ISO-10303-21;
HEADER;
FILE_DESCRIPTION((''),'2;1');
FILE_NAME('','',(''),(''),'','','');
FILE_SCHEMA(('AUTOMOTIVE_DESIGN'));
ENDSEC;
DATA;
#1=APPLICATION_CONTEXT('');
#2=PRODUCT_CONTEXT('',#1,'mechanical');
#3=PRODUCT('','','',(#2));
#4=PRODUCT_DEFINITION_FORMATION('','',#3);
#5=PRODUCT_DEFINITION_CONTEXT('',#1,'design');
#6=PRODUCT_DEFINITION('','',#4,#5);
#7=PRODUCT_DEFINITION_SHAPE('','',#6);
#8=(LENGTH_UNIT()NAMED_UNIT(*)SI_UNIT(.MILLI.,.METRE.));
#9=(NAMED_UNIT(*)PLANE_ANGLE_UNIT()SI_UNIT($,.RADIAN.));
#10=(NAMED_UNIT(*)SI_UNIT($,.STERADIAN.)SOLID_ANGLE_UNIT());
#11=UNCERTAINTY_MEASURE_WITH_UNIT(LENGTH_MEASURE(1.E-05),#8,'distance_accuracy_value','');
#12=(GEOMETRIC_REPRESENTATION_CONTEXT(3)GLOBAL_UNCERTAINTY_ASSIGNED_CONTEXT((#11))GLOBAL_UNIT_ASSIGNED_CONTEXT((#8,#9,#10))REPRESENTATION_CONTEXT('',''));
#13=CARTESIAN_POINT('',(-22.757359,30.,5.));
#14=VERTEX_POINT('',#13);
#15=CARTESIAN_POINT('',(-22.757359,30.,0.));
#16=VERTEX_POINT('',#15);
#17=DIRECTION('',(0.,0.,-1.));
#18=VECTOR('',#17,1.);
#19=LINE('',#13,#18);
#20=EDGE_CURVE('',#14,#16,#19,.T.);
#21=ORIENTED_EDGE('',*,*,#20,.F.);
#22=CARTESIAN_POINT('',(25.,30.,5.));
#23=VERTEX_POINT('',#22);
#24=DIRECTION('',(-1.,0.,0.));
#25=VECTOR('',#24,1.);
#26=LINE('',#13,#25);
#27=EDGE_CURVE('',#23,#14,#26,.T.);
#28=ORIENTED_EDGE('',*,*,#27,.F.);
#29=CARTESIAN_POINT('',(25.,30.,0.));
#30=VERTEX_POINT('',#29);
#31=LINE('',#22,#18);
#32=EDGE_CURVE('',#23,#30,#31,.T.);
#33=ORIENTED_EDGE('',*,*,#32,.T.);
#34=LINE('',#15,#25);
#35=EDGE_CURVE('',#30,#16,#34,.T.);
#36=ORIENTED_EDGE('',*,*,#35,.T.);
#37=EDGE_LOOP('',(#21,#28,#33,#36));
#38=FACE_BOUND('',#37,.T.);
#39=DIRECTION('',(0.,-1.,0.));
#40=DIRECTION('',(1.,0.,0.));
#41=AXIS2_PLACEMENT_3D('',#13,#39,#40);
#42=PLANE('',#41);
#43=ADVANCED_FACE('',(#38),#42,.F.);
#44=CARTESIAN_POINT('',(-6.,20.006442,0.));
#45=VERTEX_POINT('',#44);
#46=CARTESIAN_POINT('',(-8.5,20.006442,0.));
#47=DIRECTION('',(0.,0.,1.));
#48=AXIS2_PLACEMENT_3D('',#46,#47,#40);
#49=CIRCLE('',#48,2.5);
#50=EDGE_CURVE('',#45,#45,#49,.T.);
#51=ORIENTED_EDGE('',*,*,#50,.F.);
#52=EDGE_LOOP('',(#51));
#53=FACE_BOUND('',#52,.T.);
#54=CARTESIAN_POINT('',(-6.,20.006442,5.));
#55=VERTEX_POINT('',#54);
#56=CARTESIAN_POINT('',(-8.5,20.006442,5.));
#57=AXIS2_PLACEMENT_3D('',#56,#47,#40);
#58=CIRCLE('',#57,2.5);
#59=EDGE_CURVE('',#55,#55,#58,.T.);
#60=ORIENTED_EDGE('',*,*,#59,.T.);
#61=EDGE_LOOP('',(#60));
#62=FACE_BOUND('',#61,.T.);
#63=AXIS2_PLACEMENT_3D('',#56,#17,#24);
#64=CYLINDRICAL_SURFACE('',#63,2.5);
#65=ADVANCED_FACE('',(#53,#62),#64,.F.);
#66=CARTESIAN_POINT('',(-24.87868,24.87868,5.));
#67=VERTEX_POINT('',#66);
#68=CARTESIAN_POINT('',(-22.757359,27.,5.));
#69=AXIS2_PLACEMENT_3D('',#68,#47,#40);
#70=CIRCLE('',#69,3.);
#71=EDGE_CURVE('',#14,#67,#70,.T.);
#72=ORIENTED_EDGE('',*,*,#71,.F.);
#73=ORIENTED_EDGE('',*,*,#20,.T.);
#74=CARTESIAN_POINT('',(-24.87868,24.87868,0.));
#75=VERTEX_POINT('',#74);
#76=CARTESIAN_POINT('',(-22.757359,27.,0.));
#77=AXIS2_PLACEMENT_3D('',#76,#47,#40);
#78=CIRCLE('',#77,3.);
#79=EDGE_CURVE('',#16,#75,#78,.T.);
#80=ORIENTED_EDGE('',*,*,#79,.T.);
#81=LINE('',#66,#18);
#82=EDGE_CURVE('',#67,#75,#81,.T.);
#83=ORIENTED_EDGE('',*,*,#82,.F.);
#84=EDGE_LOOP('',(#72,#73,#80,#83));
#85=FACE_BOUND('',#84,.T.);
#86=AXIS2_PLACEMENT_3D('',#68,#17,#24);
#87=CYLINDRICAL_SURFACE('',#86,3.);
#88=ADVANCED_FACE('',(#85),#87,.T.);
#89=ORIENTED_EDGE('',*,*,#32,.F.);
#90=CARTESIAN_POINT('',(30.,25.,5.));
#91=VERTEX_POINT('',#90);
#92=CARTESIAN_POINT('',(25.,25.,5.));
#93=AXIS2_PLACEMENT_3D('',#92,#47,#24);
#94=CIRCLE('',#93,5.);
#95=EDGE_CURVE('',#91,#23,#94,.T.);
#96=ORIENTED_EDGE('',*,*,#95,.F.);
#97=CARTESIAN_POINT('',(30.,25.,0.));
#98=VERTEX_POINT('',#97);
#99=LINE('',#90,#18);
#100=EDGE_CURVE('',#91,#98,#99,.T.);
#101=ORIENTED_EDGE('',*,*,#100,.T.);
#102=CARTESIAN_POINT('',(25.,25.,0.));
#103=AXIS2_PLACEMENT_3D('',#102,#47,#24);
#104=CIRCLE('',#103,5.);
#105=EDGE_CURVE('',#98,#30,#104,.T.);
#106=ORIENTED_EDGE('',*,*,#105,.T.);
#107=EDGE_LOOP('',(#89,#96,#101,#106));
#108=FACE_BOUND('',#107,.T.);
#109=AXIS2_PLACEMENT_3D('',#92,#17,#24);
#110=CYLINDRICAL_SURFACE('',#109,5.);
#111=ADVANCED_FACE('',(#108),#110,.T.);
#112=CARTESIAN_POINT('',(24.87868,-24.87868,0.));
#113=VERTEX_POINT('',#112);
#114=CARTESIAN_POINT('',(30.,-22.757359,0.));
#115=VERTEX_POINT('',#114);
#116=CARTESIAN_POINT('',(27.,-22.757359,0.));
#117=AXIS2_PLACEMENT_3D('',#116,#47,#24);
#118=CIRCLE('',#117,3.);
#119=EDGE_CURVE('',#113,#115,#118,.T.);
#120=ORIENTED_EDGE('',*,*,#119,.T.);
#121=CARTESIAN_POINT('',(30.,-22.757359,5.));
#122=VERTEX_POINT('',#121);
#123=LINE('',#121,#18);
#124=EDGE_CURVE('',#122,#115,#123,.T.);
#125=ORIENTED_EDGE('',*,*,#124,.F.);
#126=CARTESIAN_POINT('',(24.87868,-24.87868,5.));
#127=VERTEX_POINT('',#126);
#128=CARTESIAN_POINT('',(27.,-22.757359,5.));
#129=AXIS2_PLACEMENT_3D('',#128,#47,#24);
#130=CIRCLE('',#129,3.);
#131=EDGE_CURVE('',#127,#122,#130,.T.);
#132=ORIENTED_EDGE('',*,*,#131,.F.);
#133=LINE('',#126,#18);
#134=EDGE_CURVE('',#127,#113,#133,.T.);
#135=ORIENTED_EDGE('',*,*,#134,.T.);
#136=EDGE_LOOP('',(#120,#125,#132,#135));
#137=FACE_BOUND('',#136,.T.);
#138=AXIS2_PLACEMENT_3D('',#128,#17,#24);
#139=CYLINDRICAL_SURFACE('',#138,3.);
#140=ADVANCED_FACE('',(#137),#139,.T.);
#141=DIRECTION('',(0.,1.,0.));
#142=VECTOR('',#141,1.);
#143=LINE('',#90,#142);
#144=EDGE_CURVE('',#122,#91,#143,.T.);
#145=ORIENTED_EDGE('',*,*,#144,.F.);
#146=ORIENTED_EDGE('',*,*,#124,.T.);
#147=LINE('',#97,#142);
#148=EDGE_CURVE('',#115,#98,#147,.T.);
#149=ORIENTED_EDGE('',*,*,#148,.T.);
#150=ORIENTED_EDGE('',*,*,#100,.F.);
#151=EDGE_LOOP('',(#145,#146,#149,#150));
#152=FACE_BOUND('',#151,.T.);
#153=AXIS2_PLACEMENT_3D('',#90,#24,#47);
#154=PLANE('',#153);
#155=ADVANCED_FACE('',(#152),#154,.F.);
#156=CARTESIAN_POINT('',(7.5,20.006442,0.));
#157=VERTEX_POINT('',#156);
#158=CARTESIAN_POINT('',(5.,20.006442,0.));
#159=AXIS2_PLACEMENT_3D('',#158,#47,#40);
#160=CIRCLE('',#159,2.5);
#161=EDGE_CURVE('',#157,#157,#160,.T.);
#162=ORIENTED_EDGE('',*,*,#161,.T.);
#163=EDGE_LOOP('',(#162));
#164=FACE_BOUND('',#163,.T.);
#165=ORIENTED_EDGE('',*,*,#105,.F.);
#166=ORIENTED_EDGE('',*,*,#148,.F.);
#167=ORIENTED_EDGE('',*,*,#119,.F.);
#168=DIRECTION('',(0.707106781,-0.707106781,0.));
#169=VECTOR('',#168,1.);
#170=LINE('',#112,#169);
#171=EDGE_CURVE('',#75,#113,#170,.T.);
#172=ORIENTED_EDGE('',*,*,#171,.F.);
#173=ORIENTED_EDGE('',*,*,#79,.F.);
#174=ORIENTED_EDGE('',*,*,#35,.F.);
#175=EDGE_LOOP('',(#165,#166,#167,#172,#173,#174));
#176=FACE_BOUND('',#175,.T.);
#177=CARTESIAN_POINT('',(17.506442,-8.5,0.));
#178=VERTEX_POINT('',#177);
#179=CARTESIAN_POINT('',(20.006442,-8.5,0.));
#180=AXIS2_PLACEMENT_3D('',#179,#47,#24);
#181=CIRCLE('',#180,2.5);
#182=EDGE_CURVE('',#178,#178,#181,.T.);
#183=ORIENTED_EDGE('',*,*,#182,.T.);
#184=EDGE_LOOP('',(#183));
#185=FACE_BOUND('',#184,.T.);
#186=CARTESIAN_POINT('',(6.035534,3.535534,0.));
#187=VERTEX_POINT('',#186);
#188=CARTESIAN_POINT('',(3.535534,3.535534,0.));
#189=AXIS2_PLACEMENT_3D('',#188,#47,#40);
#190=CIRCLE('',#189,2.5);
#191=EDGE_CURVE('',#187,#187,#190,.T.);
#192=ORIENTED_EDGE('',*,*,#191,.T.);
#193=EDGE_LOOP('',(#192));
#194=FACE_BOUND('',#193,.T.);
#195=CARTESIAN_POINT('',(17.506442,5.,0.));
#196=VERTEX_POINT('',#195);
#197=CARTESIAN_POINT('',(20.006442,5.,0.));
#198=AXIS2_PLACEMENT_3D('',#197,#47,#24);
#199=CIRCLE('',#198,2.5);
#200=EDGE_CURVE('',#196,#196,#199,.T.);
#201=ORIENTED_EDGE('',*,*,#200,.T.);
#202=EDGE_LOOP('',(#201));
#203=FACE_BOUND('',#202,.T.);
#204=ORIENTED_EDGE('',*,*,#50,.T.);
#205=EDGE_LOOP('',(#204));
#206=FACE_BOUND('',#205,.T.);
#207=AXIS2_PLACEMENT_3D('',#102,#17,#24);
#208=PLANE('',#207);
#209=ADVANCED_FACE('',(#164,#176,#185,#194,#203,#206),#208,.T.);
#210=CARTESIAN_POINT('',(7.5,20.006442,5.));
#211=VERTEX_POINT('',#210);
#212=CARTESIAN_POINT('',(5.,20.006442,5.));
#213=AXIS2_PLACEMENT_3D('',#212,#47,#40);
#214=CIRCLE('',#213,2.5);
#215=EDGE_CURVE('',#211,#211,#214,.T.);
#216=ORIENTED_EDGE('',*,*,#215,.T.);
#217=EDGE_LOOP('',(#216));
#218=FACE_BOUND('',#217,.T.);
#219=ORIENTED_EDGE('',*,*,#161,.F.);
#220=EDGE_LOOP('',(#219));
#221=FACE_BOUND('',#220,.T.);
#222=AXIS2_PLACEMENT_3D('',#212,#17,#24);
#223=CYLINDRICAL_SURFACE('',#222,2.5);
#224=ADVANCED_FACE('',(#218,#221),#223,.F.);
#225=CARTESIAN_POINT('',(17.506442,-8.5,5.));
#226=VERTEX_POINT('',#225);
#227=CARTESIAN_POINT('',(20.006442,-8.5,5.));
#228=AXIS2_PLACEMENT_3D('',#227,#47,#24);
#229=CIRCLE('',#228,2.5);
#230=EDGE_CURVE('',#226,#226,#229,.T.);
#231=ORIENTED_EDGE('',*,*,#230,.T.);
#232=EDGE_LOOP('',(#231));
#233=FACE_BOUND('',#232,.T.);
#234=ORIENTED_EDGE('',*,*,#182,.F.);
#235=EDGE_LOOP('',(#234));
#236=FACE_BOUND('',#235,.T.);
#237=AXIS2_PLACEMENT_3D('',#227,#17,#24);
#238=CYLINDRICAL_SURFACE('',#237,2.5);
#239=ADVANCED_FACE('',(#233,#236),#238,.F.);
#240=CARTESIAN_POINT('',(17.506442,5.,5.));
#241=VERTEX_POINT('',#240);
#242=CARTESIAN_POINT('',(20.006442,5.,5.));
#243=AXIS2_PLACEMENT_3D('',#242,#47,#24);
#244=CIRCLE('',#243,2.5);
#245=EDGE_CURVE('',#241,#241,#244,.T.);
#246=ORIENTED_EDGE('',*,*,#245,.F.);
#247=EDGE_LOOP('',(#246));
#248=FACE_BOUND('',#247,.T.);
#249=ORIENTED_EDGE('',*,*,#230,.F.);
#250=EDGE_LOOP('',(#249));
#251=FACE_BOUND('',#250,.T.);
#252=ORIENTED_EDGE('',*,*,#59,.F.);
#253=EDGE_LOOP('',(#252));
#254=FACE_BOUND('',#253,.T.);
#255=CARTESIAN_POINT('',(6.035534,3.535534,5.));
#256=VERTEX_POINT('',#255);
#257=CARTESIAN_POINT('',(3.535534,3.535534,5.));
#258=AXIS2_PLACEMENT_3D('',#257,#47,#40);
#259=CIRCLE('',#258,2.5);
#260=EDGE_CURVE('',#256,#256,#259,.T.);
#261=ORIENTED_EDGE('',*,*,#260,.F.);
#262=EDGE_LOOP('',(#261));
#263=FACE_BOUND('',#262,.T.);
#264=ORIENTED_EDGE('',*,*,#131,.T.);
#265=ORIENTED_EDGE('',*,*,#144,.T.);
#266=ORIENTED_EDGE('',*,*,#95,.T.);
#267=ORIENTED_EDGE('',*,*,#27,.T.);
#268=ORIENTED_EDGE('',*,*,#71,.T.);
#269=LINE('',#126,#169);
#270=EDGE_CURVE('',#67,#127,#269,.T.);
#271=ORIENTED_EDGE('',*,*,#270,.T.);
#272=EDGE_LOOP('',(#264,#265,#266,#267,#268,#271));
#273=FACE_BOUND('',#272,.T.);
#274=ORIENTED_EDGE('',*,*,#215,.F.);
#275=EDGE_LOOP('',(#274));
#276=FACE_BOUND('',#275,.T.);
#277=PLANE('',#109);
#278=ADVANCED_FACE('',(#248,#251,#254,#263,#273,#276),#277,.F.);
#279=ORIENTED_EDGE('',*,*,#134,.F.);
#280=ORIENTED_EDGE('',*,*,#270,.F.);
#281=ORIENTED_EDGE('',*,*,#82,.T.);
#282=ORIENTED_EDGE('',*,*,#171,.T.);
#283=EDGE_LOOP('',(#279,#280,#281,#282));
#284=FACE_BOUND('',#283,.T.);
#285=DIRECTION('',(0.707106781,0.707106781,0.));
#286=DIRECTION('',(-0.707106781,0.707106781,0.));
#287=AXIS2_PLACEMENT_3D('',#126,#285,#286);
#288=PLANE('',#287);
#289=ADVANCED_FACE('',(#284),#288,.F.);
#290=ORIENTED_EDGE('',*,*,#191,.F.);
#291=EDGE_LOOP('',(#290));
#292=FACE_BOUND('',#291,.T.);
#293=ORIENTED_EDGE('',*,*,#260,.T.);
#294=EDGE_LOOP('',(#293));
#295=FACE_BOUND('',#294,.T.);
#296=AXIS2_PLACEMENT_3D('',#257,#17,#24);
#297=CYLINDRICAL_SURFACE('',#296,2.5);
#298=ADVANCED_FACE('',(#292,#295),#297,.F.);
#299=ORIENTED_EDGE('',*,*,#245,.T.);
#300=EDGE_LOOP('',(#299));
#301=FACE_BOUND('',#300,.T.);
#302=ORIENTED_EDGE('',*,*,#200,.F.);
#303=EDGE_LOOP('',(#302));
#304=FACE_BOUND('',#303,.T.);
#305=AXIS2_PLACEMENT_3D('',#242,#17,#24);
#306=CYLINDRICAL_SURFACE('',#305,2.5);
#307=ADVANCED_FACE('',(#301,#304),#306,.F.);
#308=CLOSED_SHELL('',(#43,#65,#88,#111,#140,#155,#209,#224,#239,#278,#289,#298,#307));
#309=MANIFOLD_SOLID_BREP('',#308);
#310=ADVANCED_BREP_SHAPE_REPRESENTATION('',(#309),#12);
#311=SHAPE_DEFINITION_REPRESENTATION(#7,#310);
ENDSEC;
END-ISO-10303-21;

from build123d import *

# Parameters (mm, degrees)
SKETCH1_R           = 2.5
BOSS_EXTRUDE2_DEPTH = 5


with BuildPart() as part:
    # Sketch1 → Boss-Extrude2 (new body)
    with BuildSketch(Plane.XY):
        with BuildLine():
            Line((-22.757359313, 30), (25, 30))
            ThreePointArc((25, 30), (28.535533906, 28.535533906), (30, 25))
            Line((30, 25), (30, -22.757359313))
            ThreePointArc((30, -22.757359313), (28.148050297, -25.52899791), (24.878679656, -24.878679656))
            Line((24.878679656, -24.878679656), (-24.878679656, 24.878679656))
            ThreePointArc((-24.878679656, 24.878679656), (-25.52899791, 28.148050297), (-22.757359313, 30))
        make_face()
        with Locations((5, 20.006442339)):
            Circle(SKETCH1_R, mode=Mode.SUBTRACT)
        with Locations((-8.5, 20.006442339)):
            Circle(SKETCH1_R, mode=Mode.SUBTRACT)
        with Locations((20.006442339, 5)):
            Circle(SKETCH1_R, mode=Mode.SUBTRACT)
        with Locations((20.006442339, -8.5)):
            Circle(SKETCH1_R, mode=Mode.SUBTRACT)
        with Locations((3.535533906, 3.535533906)):
            Circle(SKETCH1_R, mode=Mode.SUBTRACT)
    extrude(amount=BOSS_EXTRUDE2_DEPTH)


solid = part.part
